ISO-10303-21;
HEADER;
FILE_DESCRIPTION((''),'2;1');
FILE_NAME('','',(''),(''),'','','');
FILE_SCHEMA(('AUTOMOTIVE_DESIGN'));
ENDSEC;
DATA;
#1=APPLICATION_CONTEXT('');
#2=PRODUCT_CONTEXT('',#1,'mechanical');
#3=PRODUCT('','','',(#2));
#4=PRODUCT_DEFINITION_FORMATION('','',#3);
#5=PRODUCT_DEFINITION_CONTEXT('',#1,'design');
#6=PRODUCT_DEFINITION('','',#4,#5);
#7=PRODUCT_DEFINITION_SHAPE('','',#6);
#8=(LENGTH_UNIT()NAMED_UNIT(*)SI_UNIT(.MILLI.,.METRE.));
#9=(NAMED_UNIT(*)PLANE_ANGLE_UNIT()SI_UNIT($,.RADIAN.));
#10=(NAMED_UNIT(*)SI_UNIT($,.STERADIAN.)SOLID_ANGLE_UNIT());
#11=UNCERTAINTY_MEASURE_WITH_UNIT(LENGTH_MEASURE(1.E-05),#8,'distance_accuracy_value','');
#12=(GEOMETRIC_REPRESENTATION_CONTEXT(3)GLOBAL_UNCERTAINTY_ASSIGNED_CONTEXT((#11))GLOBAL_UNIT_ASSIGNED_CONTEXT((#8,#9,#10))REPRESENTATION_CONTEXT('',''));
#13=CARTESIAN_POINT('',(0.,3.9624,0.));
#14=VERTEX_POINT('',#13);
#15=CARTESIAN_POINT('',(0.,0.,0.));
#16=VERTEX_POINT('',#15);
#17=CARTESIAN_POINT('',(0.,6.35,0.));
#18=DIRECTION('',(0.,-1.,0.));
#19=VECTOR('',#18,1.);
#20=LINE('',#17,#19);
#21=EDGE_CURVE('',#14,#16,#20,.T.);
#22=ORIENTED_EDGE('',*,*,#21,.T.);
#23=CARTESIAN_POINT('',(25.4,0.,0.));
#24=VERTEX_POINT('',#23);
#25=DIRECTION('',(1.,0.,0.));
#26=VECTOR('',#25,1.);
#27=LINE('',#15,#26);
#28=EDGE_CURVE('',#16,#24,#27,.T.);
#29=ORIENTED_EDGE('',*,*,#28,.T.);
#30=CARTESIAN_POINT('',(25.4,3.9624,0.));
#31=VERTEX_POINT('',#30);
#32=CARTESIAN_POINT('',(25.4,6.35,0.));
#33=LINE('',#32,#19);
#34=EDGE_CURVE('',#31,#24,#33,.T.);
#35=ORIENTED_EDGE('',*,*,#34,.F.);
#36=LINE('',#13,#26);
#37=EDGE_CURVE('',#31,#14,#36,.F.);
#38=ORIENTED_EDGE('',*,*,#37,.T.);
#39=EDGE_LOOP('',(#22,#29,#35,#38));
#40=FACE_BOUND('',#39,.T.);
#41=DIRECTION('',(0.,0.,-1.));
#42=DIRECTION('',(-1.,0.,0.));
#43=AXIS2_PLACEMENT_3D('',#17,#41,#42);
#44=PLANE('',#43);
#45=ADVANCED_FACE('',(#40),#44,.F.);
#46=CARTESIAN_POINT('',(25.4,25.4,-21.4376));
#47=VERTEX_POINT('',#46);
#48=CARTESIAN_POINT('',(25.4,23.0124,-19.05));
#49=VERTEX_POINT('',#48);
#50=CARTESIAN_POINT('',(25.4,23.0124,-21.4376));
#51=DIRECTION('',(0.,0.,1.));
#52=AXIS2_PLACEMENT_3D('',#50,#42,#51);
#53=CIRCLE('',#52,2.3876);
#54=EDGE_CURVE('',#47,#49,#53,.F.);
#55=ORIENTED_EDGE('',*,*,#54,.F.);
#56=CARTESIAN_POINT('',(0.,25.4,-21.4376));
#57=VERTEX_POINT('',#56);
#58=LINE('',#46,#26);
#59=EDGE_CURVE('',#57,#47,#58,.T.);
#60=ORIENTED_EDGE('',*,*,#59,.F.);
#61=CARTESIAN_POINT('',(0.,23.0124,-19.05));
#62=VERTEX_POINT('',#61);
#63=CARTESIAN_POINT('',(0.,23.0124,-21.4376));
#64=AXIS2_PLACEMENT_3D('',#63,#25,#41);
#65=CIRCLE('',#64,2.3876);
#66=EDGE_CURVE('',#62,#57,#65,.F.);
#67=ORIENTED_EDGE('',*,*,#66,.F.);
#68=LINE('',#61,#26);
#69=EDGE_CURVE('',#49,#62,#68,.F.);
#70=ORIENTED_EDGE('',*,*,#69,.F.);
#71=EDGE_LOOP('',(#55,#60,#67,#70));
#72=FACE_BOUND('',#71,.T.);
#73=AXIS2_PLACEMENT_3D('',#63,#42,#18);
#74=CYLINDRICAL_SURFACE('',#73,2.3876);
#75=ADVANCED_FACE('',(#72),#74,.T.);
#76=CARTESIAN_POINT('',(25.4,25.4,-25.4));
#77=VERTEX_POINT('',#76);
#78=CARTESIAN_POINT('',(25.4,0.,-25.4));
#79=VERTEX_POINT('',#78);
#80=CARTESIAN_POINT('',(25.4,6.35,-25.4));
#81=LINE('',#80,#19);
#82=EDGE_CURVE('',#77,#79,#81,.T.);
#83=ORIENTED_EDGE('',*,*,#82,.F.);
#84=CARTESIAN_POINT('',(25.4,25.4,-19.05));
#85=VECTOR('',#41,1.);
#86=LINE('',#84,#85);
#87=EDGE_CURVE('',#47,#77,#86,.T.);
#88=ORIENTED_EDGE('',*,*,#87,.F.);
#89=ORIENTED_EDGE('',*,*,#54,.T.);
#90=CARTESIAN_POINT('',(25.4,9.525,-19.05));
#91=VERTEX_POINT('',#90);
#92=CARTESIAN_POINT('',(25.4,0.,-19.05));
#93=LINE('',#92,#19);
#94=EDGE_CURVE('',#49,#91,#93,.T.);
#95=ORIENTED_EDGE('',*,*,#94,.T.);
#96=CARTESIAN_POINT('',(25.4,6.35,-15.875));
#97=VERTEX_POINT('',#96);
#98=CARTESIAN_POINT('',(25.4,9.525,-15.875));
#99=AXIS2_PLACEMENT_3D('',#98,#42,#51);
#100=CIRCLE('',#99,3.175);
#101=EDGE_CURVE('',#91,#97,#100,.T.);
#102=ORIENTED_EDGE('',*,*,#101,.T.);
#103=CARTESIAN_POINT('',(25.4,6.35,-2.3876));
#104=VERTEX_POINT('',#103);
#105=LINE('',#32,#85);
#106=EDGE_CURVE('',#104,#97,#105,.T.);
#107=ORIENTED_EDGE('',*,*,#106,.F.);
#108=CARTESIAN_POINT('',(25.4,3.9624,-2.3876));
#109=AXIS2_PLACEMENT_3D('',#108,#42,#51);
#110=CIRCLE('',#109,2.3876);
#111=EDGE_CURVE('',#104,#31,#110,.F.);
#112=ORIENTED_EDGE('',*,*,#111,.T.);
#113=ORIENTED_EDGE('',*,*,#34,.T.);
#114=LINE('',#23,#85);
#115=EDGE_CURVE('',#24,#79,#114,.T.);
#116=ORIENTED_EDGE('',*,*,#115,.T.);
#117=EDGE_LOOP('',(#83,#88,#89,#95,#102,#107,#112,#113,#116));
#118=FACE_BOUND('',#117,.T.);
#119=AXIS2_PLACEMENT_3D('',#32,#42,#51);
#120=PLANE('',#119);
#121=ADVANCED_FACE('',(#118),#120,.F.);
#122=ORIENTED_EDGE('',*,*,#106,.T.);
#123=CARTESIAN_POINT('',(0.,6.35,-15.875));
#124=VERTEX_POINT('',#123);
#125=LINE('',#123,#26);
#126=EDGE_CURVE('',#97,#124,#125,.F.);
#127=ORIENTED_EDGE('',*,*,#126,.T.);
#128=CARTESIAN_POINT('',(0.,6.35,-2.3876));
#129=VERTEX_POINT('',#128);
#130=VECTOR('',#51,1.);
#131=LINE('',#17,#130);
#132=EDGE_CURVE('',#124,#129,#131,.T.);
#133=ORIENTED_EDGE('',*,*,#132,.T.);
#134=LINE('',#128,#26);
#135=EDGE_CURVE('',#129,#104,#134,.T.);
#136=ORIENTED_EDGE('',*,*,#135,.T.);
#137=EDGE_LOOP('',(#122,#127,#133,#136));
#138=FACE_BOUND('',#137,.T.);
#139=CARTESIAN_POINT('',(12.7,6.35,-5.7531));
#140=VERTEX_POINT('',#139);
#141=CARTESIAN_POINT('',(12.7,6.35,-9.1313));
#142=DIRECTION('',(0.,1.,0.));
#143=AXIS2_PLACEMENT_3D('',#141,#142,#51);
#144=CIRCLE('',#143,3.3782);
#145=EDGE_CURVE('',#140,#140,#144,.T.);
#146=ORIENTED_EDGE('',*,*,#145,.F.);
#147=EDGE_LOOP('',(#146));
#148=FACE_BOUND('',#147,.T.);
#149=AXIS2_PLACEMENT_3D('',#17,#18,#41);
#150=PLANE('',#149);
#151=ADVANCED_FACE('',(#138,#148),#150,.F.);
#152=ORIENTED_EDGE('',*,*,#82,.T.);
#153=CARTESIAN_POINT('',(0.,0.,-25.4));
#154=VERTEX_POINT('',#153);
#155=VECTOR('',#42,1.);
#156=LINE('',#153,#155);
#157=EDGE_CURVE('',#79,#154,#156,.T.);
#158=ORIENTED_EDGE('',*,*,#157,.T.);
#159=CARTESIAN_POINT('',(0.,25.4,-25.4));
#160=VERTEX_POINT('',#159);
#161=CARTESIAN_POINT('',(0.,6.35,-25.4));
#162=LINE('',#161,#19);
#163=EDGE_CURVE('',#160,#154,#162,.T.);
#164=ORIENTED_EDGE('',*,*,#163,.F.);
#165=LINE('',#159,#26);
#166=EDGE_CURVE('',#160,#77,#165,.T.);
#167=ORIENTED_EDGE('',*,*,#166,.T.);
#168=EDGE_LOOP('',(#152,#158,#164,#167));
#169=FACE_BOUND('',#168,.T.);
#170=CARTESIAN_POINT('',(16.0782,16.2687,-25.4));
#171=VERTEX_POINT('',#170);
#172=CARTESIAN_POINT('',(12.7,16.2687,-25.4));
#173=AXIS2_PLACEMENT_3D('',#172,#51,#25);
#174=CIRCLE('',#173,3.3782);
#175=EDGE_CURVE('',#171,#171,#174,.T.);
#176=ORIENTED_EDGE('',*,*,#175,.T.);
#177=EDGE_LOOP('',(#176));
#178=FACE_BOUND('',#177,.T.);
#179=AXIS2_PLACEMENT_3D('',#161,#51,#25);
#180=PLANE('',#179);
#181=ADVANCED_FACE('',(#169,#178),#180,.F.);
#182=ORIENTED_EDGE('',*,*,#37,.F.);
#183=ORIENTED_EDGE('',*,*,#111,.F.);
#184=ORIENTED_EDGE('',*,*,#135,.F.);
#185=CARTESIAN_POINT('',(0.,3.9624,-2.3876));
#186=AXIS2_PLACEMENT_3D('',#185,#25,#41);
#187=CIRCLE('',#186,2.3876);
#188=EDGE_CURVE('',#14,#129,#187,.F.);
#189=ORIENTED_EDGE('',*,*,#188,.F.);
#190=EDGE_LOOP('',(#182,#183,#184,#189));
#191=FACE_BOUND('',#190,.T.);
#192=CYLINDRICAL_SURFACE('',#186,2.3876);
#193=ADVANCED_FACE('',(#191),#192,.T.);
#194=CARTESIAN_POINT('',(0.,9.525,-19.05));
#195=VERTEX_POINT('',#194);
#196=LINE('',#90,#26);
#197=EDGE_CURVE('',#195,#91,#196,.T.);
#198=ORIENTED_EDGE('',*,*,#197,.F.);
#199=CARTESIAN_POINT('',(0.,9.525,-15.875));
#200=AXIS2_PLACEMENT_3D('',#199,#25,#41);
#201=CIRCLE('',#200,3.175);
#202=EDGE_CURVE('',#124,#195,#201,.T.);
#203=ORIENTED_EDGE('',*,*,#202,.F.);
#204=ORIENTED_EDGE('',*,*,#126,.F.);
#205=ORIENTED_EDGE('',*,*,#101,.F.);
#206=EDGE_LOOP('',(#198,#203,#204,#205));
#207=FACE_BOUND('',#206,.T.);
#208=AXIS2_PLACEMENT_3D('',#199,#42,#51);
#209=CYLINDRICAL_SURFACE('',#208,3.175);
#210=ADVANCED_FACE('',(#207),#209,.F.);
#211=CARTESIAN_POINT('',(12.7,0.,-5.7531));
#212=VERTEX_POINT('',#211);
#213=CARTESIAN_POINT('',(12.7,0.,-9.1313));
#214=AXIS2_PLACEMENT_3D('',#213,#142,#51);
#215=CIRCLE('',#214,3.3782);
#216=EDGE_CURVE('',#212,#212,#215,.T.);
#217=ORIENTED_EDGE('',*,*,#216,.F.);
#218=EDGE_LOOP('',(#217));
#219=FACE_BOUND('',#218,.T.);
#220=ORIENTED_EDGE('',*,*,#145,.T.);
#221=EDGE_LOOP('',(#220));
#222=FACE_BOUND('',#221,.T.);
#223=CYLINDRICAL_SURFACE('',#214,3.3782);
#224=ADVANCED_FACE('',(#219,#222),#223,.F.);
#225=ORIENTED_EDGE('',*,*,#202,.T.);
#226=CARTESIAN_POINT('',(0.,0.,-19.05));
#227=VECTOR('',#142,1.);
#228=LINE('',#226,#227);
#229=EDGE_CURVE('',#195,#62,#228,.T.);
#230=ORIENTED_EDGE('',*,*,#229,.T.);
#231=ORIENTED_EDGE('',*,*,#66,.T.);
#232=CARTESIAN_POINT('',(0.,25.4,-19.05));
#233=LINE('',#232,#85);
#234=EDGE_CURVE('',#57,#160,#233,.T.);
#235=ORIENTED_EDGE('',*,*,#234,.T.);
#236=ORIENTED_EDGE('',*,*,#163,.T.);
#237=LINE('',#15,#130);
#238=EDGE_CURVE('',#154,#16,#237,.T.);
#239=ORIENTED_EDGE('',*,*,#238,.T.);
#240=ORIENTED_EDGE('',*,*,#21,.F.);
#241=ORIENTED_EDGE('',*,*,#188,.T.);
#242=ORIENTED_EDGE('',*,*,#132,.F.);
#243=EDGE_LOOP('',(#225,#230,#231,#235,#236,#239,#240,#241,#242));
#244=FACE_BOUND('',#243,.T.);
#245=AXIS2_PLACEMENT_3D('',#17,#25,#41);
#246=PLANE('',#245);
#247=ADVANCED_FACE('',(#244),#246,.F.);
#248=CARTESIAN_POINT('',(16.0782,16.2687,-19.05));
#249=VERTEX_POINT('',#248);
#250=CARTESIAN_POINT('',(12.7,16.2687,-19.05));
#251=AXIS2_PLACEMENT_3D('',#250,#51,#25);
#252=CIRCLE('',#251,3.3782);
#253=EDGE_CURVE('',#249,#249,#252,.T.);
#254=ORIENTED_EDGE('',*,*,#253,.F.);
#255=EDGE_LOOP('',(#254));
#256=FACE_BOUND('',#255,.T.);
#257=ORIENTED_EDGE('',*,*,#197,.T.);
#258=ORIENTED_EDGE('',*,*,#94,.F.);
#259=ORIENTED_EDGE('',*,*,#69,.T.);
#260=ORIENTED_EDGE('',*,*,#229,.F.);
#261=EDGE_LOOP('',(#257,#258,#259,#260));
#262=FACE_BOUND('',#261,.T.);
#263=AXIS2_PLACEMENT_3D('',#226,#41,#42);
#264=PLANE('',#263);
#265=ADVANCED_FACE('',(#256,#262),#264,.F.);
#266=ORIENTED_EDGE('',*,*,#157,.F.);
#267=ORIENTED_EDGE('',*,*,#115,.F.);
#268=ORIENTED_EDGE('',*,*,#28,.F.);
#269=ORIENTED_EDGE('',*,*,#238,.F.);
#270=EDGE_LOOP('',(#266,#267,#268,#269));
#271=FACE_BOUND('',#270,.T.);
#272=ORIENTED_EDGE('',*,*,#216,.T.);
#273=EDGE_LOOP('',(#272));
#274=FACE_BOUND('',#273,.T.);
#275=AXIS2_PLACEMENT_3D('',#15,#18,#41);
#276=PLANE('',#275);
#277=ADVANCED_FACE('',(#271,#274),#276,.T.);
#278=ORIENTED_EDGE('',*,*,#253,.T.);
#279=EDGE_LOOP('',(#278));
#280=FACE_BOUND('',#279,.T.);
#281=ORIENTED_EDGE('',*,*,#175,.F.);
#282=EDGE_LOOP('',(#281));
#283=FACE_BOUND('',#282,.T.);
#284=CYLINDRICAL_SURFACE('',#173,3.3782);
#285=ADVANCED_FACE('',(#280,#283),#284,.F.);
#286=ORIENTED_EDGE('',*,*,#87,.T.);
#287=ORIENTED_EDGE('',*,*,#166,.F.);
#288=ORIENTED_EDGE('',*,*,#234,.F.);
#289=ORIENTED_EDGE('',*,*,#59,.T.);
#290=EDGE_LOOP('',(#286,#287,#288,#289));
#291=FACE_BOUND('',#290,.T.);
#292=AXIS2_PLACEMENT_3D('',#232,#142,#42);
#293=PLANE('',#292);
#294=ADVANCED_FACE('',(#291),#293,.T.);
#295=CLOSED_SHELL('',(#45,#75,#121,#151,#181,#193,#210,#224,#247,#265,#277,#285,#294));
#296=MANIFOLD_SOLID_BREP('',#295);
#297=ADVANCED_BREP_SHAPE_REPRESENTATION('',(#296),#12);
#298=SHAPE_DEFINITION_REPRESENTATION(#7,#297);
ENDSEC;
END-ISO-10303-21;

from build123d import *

# Parameters (mm, degrees)
SKETCH1_W           = 25.4
SKETCH1_H           = 25.4
BOSS_EXTRUDE1_DEPTH = 6.35
SKETCH2_W           = 25.4
SKETCH2_H           = 25.4
BOSS_EXTRUDE2_DEPTH = 6.35
FILLET1_R           = 3.175
FILLET2_R           = 2.3876
SKETCH3_R           = 3.3782
CUT_EXTRUDE1_DEPTH  = 7.35
SKETCH4_R           = 3.3782
CUT_EXTRUDE2_DEPTH  = 7.35


with BuildPart() as part:
    # Sketch1 → Boss-Extrude1 (new body)
    with BuildSketch(Plane(origin=(0, 0, 0), x_dir=(1, 0, 0), z_dir=(0, 1, 0))):
        with Locations((12.7, 12.7)):
            Rectangle(SKETCH1_W, SKETCH1_H)
    extrude(amount=BOSS_EXTRUDE1_DEPTH)

    # Sketch2 → Boss-Extrude2 (add)
    with BuildSketch(Plane(origin=(0, 0, -25.4), x_dir=(-1, 0, 0), z_dir=(0, 0, -1))):
        with Locations((-12.7, 12.7)):
            Rectangle(SKETCH2_W, SKETCH2_H)
    extrude(amount=-BOSS_EXTRUDE2_DEPTH)

    # Fillet1
    fillet1_edges = [part.edges().sort_by_distance(p)[0] for p in [
        (12.7, 6.35, -19.05),
    ]]
    fillet(fillet1_edges, radius=FILLET1_R)

    # Fillet2
    fillet2_edges = [part.edges().sort_by_distance(p)[0] for p in [
        (12.7, 25.4, -19.05),
        (12.7, 6.35, 0),
    ]]
    fillet(fillet2_edges, radius=FILLET2_R)

    # Sketch3 → Cut-Extrude1 (cut, through all)
    with BuildSketch(Plane(origin=(0, 6.35, 0), x_dir=(1, 0, 0), z_dir=(0, 1, 0))):
        with Locations((12.7, 9.1313)):
            Circle(SKETCH3_R)
        with Locations((29.80436, 9.1313)):
            Circle(SKETCH3_R)
        with Locations((46.39564, 9.1313)):
            Circle(SKETCH3_R)
        with Locations((33.500058156, 19.57038717)):
            Circle(SKETCH3_R)
    extrude(amount=-CUT_EXTRUDE1_DEPTH, mode=Mode.SUBTRACT)

    # Sketch4 → Cut-Extrude2 (cut, through all)
    with BuildSketch(Plane.XY.offset(-19.05)):
        with Locations((-37.07384, 16.2687)):
            Circle(SKETCH4_R)
        with Locations((-20.48256, 16.2687)):
            Circle(SKETCH4_R)
        with Locations((-3.89128, 16.2687)):
            Circle(SKETCH4_R)
        with Locations((12.7, 16.2687)):
            Circle(SKETCH4_R)
    extrude(amount=-CUT_EXTRUDE2_DEPTH, mode=Mode.SUBTRACT)


solid = part.part
